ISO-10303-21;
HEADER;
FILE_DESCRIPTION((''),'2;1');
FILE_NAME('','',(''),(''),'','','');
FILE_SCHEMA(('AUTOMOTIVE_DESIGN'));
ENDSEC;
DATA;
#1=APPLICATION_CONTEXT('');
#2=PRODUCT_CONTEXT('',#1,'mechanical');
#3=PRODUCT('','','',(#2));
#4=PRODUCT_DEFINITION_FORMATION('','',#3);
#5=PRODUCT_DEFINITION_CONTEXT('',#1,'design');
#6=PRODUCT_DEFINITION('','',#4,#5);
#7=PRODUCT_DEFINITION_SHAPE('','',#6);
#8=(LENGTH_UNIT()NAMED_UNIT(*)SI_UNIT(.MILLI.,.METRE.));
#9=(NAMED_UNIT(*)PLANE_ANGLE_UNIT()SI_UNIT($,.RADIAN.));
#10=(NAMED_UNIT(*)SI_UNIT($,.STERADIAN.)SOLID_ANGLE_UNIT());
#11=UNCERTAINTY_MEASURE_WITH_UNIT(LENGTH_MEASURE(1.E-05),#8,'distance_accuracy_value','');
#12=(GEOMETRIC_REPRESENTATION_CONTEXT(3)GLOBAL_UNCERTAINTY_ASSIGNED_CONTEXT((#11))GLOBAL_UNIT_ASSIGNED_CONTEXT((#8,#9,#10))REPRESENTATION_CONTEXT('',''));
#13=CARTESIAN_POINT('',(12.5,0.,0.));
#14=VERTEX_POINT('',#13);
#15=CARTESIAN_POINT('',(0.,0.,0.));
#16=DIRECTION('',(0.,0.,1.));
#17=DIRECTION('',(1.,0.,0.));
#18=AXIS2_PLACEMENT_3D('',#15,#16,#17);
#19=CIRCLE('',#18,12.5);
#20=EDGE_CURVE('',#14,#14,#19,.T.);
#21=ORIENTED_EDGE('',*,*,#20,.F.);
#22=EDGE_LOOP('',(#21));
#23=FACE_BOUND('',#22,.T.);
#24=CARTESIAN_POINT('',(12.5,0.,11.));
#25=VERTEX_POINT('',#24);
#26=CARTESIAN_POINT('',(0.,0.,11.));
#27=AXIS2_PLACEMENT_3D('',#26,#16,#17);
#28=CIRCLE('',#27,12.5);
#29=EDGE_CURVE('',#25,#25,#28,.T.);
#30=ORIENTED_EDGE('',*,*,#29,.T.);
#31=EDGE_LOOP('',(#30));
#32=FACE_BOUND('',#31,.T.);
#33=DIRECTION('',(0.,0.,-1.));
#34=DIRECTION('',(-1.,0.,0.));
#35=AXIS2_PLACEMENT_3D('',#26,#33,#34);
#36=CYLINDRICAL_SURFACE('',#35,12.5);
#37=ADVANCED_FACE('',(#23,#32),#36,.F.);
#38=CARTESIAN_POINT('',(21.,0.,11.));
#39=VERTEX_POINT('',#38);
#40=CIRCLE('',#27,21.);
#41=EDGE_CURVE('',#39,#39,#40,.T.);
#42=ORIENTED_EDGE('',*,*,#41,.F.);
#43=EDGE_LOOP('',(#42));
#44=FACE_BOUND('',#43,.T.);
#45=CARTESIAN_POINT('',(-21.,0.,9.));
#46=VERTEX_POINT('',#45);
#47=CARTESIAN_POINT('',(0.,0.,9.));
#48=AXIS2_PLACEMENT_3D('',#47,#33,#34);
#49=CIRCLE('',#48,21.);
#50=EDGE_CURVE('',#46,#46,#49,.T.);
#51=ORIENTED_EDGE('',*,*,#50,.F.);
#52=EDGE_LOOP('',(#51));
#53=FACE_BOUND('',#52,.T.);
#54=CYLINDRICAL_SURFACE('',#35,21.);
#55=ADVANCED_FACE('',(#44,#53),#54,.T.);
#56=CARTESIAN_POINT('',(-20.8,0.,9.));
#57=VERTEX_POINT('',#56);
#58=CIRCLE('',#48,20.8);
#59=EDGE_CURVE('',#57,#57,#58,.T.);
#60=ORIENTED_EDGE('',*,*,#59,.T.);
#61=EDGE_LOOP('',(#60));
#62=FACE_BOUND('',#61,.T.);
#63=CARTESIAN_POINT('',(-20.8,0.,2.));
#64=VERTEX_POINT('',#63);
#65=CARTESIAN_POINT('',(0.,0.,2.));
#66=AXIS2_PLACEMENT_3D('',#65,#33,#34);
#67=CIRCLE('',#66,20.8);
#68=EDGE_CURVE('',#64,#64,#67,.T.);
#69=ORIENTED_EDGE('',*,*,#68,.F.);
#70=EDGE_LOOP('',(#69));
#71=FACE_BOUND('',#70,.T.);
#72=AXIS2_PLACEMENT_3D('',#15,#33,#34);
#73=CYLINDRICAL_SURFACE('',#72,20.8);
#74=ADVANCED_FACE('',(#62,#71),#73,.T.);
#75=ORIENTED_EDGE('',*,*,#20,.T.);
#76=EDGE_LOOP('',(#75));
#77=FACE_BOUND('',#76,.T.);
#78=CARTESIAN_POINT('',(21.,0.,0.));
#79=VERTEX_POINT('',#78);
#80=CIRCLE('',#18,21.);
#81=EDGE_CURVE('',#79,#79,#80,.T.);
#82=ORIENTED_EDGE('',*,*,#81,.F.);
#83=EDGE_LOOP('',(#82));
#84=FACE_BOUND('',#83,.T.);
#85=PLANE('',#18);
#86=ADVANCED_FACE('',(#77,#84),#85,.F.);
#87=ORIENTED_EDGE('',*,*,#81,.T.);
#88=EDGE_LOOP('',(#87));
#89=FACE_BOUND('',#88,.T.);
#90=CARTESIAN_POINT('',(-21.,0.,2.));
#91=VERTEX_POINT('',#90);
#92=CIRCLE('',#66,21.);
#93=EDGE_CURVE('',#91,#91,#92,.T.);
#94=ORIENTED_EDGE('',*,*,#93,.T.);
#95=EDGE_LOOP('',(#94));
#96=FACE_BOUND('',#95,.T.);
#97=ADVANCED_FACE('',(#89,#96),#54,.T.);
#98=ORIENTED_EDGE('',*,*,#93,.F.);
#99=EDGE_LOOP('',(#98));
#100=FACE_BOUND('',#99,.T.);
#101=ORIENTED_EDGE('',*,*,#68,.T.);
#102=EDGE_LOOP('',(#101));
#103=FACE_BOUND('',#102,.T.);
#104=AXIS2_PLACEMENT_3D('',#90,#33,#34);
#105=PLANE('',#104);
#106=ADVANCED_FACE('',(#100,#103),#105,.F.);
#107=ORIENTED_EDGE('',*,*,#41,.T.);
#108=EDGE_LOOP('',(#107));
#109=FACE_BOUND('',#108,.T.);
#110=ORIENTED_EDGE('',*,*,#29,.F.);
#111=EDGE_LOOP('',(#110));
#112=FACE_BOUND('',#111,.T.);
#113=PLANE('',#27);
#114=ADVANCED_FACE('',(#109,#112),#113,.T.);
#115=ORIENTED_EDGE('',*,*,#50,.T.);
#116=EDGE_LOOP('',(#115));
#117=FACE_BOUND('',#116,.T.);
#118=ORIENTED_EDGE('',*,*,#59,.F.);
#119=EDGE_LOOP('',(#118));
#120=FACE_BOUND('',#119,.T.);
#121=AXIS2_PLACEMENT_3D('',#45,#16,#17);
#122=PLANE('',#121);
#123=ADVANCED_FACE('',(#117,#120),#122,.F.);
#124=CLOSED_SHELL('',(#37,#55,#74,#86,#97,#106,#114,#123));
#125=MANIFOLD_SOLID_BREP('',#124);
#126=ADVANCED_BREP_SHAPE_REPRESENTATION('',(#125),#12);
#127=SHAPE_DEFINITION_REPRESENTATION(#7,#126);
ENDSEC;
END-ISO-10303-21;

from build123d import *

# Parameters (mm, degrees)
ESQUISSE1_R        = 21
ESQUISSE1_R_2      = 12.5
BOSS_EXTRU_1_DEPTH = 11
ESQUISSE2_W        = 0.2
ESQUISSE2_H        = 7


with BuildPart() as part:
    # Esquisse1 → Boss.-Extru.1 (new body)
    with BuildSketch(Plane.XY):
        Circle(ESQUISSE1_R)
        Circle(ESQUISSE1_R_2, mode=Mode.SUBTRACT)
    extrude(amount=BOSS_EXTRU_1_DEPTH)

    # Esquisse2 → Enlèvement de matière-Révolution1 (revolve, cut)
    with BuildSketch(Plane(origin=(0, 0, 0), x_dir=(1, 0, 0), z_dir=(0, 1, 0))):
        with Locations((-20.9, -5.5)):
            Rectangle(ESQUISSE2_W, ESQUISSE2_H)
    revolve(axis=Axis((0, 0, 0), (0, 0, 1)), mode=Mode.SUBTRACT)


solid = part.part
